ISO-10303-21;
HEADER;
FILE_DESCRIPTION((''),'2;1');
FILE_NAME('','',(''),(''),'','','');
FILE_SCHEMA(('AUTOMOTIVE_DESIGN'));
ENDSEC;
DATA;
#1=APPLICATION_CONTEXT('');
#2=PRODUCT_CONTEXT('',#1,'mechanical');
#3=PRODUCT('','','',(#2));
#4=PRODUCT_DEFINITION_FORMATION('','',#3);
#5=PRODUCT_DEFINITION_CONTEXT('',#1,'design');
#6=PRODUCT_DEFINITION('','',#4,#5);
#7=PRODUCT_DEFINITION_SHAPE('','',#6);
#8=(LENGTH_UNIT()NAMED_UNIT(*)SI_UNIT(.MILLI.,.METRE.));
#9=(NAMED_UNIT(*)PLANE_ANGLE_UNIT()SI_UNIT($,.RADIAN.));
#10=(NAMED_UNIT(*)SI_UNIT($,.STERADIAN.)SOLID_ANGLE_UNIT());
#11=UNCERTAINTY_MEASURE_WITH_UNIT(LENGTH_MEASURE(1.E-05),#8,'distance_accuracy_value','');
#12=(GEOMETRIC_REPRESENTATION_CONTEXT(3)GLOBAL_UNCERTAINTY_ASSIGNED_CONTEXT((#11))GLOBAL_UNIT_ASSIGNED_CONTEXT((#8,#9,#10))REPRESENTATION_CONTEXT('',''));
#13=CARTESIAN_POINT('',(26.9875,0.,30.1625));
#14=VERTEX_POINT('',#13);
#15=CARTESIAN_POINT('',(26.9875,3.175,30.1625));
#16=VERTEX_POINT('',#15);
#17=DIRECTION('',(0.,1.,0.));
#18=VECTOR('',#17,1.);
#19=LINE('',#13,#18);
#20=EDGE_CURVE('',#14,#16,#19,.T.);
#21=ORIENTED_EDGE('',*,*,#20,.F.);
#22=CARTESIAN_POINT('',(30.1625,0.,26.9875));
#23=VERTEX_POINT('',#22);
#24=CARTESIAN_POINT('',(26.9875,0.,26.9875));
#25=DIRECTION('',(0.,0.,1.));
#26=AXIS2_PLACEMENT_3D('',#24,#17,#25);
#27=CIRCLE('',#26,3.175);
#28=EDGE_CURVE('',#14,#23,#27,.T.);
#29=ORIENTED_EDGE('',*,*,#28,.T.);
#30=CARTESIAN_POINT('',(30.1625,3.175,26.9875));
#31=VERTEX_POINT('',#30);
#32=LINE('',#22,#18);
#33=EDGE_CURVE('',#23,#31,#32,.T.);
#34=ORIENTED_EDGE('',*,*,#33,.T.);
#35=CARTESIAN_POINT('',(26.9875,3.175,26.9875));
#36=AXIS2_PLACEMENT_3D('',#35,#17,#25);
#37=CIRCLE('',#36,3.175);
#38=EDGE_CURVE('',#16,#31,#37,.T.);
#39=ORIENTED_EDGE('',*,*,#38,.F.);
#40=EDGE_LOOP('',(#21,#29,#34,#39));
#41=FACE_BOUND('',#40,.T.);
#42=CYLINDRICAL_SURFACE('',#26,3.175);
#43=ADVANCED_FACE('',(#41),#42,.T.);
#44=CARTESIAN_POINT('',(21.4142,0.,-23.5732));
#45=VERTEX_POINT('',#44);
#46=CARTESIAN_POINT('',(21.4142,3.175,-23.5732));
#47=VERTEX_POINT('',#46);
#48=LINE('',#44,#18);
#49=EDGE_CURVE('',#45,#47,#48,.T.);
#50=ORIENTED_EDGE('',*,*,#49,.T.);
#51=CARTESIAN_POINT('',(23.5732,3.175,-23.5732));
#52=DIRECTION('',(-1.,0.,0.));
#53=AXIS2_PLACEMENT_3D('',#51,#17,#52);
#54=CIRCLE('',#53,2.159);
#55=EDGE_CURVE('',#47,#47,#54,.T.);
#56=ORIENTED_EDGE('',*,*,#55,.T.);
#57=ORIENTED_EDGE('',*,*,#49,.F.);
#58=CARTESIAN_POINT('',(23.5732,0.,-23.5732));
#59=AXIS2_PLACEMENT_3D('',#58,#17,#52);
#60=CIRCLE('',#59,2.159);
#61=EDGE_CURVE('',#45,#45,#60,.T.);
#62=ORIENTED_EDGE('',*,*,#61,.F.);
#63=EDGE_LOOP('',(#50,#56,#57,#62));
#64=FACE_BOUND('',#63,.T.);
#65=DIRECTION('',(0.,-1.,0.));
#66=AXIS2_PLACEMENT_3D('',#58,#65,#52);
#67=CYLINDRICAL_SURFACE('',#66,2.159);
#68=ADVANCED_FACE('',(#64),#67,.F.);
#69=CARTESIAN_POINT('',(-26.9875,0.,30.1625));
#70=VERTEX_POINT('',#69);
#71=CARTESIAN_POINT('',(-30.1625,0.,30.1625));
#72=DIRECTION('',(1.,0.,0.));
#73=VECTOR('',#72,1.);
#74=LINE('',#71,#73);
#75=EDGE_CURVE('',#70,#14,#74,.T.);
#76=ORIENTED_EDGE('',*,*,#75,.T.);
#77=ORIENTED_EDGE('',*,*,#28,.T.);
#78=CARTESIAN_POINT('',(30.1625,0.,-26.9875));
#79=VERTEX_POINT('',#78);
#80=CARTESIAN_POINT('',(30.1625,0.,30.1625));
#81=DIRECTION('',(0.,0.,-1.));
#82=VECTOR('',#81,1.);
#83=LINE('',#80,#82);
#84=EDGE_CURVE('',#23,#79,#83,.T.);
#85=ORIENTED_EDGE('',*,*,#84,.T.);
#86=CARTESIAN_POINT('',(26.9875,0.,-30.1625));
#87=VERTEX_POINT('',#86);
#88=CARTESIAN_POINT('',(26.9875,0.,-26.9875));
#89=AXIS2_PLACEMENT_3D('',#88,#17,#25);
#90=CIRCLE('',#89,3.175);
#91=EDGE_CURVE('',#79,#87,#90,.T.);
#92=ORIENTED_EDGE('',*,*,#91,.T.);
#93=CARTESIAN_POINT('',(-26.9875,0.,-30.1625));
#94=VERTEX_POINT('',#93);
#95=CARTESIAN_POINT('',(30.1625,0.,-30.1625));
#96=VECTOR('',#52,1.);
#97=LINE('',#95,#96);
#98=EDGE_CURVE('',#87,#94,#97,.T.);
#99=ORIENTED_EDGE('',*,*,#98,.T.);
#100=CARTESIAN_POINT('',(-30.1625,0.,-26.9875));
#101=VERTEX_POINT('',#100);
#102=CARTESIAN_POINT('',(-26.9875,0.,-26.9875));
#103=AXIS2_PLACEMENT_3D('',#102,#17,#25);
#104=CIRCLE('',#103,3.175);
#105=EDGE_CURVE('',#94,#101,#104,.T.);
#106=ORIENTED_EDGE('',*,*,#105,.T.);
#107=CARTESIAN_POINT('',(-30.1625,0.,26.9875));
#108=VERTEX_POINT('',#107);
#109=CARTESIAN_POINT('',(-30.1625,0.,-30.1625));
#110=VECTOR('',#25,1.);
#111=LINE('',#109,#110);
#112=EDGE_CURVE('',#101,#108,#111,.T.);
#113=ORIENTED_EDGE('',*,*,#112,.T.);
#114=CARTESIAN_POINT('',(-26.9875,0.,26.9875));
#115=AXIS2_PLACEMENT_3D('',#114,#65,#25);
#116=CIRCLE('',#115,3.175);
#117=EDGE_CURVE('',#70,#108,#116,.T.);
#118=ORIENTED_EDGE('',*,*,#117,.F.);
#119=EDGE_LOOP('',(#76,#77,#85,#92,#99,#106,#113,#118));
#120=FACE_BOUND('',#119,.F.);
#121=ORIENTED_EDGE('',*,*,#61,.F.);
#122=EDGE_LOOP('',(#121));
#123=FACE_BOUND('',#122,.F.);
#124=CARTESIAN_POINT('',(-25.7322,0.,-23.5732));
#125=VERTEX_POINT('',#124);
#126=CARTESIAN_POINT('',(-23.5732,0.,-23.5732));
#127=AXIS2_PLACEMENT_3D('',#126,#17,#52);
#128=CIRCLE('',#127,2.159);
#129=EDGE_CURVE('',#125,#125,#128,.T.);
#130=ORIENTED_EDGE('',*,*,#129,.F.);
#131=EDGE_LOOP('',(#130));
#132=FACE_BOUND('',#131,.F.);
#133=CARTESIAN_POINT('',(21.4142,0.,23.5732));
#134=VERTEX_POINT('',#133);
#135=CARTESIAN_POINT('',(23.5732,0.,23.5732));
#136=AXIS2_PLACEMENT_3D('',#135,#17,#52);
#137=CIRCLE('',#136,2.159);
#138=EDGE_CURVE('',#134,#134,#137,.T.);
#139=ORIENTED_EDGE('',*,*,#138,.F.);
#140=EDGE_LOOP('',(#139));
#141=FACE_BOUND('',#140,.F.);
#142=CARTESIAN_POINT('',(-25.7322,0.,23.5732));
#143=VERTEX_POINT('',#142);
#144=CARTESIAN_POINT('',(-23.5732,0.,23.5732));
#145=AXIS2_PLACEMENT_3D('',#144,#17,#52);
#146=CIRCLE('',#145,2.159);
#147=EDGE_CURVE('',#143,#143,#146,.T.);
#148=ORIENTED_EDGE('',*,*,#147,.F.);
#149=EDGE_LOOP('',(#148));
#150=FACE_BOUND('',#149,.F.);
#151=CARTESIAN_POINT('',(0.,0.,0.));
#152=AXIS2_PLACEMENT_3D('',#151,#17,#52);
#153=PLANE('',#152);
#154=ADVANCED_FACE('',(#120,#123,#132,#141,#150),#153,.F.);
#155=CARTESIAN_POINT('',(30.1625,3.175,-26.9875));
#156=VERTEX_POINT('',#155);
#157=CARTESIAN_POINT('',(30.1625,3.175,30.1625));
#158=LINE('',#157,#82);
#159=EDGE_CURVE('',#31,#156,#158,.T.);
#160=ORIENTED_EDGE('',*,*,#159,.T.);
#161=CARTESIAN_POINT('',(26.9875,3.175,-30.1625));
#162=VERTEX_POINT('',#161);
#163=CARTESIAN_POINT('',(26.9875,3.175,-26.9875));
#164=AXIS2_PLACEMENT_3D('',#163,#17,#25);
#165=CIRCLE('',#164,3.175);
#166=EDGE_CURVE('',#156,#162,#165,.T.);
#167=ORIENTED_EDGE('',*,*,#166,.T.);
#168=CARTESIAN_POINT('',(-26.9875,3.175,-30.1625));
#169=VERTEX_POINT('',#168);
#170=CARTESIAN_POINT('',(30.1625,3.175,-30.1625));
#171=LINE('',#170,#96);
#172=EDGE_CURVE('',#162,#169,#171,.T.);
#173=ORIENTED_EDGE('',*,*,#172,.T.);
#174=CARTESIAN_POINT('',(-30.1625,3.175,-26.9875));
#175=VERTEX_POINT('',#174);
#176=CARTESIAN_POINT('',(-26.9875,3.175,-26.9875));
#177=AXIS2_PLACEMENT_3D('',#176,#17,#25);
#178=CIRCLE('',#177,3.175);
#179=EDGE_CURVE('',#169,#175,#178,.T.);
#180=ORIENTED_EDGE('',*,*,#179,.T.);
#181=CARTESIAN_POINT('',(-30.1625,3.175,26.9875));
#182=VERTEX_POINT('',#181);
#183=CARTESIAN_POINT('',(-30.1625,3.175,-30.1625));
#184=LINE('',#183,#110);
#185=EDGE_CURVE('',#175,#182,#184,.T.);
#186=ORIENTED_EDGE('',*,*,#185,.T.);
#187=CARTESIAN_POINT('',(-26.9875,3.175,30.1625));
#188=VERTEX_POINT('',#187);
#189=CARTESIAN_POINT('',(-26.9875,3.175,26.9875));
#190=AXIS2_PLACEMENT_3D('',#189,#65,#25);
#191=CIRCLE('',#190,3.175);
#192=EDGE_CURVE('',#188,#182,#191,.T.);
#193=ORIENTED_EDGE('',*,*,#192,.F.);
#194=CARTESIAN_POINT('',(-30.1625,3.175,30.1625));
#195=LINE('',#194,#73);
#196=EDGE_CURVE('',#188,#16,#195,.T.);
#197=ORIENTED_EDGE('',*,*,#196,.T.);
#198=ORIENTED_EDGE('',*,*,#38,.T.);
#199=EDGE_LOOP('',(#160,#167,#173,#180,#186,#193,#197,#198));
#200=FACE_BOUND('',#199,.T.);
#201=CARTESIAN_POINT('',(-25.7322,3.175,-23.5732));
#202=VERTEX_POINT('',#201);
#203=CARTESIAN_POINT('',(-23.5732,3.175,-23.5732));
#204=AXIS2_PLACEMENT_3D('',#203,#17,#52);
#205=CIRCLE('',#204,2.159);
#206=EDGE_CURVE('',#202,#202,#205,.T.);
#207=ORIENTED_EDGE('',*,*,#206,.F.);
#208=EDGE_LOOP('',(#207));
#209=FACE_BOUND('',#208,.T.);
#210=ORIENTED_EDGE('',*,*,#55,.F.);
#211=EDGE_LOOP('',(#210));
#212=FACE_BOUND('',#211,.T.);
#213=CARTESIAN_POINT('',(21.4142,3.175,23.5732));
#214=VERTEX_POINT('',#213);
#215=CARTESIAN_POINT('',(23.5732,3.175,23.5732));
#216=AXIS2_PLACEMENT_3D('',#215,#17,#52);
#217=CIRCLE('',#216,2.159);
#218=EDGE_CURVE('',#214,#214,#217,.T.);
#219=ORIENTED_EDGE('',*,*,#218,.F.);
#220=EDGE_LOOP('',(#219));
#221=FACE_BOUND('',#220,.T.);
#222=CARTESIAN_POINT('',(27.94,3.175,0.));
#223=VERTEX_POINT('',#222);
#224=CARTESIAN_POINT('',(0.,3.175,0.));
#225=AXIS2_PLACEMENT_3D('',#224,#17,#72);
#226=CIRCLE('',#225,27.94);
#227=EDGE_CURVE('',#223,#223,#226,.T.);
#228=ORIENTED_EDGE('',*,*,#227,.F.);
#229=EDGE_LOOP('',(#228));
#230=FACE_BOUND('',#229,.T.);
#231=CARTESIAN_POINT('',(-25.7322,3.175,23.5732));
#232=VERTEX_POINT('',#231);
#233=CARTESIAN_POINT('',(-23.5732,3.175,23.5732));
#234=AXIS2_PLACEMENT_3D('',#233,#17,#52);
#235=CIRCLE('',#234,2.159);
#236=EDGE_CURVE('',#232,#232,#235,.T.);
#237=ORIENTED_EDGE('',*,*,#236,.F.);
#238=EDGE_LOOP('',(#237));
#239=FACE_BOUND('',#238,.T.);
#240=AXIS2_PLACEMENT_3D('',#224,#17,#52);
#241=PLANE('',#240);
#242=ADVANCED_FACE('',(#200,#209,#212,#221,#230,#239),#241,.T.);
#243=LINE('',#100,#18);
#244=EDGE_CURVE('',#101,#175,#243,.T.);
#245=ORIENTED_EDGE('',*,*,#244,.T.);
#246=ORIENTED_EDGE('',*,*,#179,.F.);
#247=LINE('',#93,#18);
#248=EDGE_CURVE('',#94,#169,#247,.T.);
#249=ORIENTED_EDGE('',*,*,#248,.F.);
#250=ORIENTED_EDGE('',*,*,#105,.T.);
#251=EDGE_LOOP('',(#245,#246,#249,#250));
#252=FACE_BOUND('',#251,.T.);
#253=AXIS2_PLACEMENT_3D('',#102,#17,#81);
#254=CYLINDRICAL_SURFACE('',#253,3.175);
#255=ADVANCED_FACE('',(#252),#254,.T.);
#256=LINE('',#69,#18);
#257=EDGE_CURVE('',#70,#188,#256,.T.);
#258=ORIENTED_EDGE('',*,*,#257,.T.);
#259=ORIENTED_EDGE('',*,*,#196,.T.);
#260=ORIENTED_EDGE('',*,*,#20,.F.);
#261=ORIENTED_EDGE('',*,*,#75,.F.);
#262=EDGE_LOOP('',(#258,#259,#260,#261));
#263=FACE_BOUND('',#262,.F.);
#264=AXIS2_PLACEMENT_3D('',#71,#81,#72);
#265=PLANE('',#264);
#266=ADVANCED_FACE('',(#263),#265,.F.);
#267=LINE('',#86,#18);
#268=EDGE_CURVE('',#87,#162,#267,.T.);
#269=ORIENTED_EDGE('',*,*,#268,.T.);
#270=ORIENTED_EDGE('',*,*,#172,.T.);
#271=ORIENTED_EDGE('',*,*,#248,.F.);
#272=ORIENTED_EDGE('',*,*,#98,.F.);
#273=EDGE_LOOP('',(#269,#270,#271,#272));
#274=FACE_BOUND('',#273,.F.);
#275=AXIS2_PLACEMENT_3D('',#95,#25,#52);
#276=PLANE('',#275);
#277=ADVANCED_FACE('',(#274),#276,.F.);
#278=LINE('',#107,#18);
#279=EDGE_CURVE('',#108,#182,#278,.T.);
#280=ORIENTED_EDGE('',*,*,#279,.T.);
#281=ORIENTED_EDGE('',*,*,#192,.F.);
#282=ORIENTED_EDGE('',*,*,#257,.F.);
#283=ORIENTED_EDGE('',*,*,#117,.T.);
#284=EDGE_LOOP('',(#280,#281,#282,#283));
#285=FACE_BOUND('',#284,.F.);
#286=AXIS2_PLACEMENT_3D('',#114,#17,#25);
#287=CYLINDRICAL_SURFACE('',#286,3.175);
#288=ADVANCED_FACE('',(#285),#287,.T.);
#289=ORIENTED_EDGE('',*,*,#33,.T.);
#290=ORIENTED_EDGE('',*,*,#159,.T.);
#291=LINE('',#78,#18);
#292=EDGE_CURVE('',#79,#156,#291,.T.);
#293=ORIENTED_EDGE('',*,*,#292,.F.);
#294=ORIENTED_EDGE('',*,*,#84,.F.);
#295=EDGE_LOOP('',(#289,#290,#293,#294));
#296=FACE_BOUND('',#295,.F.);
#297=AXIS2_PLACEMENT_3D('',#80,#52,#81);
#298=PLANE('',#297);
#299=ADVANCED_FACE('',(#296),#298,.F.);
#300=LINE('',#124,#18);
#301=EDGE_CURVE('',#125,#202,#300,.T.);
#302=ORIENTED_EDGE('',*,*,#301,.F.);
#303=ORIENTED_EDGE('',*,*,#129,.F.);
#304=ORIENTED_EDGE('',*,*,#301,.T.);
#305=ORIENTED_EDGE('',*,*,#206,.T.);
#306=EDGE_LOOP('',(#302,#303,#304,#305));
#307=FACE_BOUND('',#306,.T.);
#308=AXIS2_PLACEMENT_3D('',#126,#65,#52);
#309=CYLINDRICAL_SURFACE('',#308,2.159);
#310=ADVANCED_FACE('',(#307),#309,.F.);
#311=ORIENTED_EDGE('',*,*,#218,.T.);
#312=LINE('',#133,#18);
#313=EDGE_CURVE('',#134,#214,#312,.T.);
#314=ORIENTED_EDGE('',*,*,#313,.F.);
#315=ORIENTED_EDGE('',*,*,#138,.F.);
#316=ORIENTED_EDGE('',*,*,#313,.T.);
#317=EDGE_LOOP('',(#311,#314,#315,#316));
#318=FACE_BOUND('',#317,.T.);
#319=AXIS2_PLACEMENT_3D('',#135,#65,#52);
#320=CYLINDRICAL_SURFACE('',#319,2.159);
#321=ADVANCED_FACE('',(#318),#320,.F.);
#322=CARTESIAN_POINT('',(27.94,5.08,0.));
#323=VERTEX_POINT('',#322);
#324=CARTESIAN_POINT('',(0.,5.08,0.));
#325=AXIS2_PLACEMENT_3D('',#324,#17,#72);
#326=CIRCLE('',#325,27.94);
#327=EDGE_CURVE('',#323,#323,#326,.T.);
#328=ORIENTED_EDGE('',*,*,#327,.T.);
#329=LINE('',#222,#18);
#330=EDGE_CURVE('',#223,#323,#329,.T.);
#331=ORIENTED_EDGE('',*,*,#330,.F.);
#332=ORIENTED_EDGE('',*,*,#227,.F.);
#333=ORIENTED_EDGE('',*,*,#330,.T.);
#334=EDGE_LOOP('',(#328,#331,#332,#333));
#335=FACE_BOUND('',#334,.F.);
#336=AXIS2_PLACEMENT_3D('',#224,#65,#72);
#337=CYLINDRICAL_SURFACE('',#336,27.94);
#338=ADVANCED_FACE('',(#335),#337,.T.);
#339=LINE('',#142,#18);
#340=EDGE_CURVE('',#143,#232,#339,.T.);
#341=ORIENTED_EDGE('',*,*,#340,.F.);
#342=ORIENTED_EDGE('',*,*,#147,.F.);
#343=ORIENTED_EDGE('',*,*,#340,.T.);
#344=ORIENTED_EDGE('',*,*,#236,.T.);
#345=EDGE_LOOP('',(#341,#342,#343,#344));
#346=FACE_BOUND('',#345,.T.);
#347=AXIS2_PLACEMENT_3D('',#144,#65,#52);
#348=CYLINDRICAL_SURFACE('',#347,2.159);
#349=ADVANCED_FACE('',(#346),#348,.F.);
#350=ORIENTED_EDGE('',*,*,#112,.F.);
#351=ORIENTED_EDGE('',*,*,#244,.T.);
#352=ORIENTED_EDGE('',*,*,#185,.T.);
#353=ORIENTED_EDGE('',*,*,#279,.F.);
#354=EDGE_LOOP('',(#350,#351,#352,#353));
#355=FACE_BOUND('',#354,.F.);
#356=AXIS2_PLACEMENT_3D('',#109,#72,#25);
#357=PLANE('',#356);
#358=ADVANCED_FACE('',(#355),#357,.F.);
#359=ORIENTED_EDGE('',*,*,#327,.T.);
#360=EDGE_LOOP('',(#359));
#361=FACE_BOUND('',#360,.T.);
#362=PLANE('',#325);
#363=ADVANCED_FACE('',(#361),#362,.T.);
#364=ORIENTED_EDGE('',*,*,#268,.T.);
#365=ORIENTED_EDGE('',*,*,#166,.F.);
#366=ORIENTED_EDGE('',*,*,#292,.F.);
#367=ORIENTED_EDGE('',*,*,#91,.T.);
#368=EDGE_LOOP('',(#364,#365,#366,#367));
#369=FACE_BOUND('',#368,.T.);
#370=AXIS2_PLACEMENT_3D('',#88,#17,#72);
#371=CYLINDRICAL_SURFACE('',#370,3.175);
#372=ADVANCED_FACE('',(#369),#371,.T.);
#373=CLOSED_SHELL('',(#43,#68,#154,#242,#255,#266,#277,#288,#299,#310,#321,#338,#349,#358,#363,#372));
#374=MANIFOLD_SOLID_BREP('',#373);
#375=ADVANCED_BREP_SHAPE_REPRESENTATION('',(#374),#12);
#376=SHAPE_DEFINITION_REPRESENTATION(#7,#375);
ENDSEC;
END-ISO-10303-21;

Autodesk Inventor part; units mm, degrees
ref_plane "YZ Plane" through (0, 0, 0) normal (1, 0, 0) x (0, 1, 0)
ref_plane "XZ Plane" through (0, 0, 0) normal (0, 1, 0) x (-1, 0, 0)
ref_plane "XY Plane" through (0, 0, 0) normal (0, 0, 1) x (1, 0, 0)
sketch "Sketch1" plane through (0, 0, 0) normal (0, 1, 0) x (-1, 0, 0)
  line L0 (30.1625, 30.1625) -> (-30.1625, 30.1625)
  line L1 (-30.1625, 30.1625) -> (-30.1625, -30.1625)
  line L2 (-30.1625, -30.1625) -> (30.1625, -30.1625)
  line L3 (30.1625, -30.1625) -> (30.1625, 30.1625)
  circle A0 centre (0, 0) radius 33.3375 construction
  circle A1 centre (0, 0) radius 28.575
  line L4 (-30.1625, 30.1625) -> (30.1625, -30.1625) construction
  line L5 (30.1625, 30.1625) -> (-30.1625, -30.1625) construction
  circle A2 centre (23.5732, 23.5732) radius 2.159
  circle A3 centre (23.5732, -23.5732) radius 2.159
  circle A4 centre (-23.5732, 23.5732) radius 2.159
  circle A5 centre (-23.5732, -23.5732) radius 2.159
  point P0 (0, 0)
  point P1 (0, 0)
  dimension "d0" = 60.325
  dimension "d1" = 60.325
  dimension "d2" = 66.675
  dimension "d3" = 57.15
  dimension "d4" = 4.318
  dimension "d5" = 4.318
  dimension "d6" = 4.318
  dimension "d7" = 4.318
extrude "Extrusion1" add sketch "Sketch1" along normal blind 3.175 contours L3 L2 L1 L0 | A1
sketch "Sketch2" plane through (0, 3.175, 0) normal (0, 1, 0) x (1, 0, 0)
  circle A0 centre (0, 0) radius 27.94
  circle A1 centre (0, 0) radius 28.575 construction
  point P0 (0, 0)
  dimension "d10" = 55.88
  dimension "d17" = 57.15
extrude "Extrusion2" add sketch "Sketch2" along normal blind 1.905
fillet "Fillet1" radius 3.175 1 edges at (30.1625, 1.5875, 30.1625)
fillet "Fillet2" radius 3.175 1 edges at (-30.1625, 1.5875, 30.1625)
fillet "Fillet3" radius 3.175 1 edges at (30.1625, 1.5875, -30.1625)
fillet "Fillet4" radius 3.175 1 edges at (-30.1625, 1.5875, -30.1625)
properties part number "2-25-instrument-blank"
